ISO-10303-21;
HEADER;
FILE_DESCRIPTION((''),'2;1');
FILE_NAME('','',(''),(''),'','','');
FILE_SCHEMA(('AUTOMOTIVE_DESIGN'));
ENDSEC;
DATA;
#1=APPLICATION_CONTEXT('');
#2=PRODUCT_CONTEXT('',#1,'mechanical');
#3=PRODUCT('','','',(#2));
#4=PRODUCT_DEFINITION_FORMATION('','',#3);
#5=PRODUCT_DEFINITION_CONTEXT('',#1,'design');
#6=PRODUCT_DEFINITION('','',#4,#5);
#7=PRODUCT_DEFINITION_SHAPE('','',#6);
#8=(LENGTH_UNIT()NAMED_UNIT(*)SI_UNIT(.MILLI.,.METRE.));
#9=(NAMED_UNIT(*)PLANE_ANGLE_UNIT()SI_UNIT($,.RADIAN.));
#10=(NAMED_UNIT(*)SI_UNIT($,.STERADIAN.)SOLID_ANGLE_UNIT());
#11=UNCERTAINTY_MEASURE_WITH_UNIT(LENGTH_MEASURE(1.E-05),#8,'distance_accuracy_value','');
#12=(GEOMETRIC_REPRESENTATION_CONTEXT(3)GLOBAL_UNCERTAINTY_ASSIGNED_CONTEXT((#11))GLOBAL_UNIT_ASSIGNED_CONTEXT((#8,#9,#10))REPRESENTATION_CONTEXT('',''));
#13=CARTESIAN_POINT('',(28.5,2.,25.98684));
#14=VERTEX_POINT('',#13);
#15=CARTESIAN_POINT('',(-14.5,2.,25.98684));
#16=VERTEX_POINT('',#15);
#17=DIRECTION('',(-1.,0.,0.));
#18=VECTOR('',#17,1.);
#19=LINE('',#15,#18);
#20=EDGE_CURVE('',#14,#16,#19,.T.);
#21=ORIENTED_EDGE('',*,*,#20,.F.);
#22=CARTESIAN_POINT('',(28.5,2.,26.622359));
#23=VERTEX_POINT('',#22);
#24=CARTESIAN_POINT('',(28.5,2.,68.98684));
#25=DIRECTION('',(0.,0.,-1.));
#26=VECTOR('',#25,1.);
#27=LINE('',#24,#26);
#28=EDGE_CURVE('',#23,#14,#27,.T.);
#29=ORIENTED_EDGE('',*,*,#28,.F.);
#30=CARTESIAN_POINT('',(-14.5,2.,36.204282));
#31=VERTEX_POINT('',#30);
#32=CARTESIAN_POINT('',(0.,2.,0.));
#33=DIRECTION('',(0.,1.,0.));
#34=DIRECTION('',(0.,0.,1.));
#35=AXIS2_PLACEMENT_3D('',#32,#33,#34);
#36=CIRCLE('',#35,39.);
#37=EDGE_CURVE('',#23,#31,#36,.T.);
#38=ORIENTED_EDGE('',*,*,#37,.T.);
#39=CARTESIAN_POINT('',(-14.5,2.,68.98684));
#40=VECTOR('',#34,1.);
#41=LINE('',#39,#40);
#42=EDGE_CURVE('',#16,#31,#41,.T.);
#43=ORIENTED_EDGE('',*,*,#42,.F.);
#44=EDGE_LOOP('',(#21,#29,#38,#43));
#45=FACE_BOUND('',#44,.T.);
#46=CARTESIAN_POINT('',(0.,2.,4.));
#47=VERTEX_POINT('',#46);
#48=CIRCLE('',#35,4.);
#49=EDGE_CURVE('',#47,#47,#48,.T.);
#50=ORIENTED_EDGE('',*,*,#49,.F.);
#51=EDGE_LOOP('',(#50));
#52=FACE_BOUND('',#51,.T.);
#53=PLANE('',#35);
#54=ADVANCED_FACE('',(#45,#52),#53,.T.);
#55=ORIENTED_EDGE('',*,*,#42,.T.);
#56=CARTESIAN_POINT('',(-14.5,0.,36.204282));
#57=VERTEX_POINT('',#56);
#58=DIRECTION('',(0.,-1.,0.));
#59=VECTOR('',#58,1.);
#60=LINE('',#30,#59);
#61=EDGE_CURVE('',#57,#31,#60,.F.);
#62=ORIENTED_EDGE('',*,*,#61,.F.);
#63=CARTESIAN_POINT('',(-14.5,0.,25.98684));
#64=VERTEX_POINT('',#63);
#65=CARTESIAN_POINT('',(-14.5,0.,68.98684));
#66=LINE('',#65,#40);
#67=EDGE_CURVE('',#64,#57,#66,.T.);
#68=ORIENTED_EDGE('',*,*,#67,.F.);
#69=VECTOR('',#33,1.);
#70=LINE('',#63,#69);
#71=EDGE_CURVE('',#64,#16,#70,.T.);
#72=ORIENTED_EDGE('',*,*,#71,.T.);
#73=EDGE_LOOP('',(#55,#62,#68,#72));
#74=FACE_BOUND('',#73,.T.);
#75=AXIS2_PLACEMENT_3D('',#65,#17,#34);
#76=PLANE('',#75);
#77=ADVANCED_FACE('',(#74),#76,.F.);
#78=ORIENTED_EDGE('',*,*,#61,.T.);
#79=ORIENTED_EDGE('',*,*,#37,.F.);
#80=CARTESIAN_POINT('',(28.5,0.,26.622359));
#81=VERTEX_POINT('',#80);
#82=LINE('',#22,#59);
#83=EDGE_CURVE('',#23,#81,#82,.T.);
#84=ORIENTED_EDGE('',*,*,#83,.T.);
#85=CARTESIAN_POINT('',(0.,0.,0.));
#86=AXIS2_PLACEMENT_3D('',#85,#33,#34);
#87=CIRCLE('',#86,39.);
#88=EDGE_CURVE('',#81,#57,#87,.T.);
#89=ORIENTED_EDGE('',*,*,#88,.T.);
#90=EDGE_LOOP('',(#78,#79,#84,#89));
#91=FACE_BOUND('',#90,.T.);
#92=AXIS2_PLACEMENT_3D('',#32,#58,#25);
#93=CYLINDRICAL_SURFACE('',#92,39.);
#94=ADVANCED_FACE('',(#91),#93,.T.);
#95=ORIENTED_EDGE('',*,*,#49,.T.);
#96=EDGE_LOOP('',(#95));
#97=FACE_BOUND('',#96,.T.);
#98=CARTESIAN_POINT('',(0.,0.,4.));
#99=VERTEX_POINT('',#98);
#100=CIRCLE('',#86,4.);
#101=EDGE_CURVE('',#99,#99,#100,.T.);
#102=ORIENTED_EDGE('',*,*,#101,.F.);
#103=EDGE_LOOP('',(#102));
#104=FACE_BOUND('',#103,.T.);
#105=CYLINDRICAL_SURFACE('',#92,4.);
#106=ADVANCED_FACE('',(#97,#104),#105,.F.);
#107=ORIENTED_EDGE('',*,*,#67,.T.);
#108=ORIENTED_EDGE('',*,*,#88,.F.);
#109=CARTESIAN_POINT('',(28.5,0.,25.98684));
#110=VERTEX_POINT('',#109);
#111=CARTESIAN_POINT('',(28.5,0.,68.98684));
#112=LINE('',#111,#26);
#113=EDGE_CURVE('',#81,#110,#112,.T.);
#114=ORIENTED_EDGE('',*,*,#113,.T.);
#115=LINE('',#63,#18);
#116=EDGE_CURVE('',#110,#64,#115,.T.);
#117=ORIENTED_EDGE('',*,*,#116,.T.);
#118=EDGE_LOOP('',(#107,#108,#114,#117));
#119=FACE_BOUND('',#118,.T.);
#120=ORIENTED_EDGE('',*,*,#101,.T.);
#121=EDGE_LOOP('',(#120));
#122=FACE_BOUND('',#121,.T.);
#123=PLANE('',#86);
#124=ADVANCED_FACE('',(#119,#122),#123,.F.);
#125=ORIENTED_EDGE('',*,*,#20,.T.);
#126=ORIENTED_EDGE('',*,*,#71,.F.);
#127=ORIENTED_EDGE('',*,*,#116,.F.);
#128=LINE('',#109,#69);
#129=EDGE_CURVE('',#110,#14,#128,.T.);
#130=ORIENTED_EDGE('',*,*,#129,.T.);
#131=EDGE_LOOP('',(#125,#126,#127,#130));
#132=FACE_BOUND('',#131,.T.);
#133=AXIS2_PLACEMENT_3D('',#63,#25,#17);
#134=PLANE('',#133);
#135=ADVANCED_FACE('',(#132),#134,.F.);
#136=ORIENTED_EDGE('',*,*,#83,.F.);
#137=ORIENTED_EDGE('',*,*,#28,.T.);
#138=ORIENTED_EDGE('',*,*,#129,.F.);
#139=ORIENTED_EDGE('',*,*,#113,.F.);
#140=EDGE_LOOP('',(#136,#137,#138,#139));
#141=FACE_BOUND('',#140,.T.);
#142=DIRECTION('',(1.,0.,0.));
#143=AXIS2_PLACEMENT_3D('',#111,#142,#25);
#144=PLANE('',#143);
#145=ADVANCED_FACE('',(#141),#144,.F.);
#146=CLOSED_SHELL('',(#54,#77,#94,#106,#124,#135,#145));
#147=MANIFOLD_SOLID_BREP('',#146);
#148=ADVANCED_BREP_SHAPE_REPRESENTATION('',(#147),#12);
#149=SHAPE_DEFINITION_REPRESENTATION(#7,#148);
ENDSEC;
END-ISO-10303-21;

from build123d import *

# Parameters (mm, degrees)
SKETCH1_R           = 39
SKETCH1_R_2         = 4
BOSS_EXTRUDE1_DEPTH = 2
SKETCH2_W           = 43
SKETCH2_H           = 43
CUT_EXTRUDE1_DEPTH  = 56.190578906


with BuildPart() as part:
    # Sketch1 → Boss-Extrude1 (new body)
    with BuildSketch(Plane(origin=(0, 0, 0), x_dir=(1, 0, 0), z_dir=(0, 1, 0))):
        with Locations(Location((0, 0, 0), (0, 0, 270))):
            Circle(SKETCH1_R)
        with Locations(Location((0, 0, 0), (0, 0, 270))):
            Circle(SKETCH1_R_2, mode=Mode.SUBTRACT)
    extrude(amount=BOSS_EXTRUDE1_DEPTH)

    # Sketch2 → Cut-Extrude1 (cut, through all)
    with BuildSketch(Plane(origin=(0, 2, 0), x_dir=(1, 0, 0), z_dir=(0, 1, 0))):
        with Locations((7, -47.486840282)):
            Rectangle(SKETCH2_W, SKETCH2_H)
    extrude(amount=-CUT_EXTRUDE1_DEPTH, mode=Mode.SUBTRACT)


solid = part.part
